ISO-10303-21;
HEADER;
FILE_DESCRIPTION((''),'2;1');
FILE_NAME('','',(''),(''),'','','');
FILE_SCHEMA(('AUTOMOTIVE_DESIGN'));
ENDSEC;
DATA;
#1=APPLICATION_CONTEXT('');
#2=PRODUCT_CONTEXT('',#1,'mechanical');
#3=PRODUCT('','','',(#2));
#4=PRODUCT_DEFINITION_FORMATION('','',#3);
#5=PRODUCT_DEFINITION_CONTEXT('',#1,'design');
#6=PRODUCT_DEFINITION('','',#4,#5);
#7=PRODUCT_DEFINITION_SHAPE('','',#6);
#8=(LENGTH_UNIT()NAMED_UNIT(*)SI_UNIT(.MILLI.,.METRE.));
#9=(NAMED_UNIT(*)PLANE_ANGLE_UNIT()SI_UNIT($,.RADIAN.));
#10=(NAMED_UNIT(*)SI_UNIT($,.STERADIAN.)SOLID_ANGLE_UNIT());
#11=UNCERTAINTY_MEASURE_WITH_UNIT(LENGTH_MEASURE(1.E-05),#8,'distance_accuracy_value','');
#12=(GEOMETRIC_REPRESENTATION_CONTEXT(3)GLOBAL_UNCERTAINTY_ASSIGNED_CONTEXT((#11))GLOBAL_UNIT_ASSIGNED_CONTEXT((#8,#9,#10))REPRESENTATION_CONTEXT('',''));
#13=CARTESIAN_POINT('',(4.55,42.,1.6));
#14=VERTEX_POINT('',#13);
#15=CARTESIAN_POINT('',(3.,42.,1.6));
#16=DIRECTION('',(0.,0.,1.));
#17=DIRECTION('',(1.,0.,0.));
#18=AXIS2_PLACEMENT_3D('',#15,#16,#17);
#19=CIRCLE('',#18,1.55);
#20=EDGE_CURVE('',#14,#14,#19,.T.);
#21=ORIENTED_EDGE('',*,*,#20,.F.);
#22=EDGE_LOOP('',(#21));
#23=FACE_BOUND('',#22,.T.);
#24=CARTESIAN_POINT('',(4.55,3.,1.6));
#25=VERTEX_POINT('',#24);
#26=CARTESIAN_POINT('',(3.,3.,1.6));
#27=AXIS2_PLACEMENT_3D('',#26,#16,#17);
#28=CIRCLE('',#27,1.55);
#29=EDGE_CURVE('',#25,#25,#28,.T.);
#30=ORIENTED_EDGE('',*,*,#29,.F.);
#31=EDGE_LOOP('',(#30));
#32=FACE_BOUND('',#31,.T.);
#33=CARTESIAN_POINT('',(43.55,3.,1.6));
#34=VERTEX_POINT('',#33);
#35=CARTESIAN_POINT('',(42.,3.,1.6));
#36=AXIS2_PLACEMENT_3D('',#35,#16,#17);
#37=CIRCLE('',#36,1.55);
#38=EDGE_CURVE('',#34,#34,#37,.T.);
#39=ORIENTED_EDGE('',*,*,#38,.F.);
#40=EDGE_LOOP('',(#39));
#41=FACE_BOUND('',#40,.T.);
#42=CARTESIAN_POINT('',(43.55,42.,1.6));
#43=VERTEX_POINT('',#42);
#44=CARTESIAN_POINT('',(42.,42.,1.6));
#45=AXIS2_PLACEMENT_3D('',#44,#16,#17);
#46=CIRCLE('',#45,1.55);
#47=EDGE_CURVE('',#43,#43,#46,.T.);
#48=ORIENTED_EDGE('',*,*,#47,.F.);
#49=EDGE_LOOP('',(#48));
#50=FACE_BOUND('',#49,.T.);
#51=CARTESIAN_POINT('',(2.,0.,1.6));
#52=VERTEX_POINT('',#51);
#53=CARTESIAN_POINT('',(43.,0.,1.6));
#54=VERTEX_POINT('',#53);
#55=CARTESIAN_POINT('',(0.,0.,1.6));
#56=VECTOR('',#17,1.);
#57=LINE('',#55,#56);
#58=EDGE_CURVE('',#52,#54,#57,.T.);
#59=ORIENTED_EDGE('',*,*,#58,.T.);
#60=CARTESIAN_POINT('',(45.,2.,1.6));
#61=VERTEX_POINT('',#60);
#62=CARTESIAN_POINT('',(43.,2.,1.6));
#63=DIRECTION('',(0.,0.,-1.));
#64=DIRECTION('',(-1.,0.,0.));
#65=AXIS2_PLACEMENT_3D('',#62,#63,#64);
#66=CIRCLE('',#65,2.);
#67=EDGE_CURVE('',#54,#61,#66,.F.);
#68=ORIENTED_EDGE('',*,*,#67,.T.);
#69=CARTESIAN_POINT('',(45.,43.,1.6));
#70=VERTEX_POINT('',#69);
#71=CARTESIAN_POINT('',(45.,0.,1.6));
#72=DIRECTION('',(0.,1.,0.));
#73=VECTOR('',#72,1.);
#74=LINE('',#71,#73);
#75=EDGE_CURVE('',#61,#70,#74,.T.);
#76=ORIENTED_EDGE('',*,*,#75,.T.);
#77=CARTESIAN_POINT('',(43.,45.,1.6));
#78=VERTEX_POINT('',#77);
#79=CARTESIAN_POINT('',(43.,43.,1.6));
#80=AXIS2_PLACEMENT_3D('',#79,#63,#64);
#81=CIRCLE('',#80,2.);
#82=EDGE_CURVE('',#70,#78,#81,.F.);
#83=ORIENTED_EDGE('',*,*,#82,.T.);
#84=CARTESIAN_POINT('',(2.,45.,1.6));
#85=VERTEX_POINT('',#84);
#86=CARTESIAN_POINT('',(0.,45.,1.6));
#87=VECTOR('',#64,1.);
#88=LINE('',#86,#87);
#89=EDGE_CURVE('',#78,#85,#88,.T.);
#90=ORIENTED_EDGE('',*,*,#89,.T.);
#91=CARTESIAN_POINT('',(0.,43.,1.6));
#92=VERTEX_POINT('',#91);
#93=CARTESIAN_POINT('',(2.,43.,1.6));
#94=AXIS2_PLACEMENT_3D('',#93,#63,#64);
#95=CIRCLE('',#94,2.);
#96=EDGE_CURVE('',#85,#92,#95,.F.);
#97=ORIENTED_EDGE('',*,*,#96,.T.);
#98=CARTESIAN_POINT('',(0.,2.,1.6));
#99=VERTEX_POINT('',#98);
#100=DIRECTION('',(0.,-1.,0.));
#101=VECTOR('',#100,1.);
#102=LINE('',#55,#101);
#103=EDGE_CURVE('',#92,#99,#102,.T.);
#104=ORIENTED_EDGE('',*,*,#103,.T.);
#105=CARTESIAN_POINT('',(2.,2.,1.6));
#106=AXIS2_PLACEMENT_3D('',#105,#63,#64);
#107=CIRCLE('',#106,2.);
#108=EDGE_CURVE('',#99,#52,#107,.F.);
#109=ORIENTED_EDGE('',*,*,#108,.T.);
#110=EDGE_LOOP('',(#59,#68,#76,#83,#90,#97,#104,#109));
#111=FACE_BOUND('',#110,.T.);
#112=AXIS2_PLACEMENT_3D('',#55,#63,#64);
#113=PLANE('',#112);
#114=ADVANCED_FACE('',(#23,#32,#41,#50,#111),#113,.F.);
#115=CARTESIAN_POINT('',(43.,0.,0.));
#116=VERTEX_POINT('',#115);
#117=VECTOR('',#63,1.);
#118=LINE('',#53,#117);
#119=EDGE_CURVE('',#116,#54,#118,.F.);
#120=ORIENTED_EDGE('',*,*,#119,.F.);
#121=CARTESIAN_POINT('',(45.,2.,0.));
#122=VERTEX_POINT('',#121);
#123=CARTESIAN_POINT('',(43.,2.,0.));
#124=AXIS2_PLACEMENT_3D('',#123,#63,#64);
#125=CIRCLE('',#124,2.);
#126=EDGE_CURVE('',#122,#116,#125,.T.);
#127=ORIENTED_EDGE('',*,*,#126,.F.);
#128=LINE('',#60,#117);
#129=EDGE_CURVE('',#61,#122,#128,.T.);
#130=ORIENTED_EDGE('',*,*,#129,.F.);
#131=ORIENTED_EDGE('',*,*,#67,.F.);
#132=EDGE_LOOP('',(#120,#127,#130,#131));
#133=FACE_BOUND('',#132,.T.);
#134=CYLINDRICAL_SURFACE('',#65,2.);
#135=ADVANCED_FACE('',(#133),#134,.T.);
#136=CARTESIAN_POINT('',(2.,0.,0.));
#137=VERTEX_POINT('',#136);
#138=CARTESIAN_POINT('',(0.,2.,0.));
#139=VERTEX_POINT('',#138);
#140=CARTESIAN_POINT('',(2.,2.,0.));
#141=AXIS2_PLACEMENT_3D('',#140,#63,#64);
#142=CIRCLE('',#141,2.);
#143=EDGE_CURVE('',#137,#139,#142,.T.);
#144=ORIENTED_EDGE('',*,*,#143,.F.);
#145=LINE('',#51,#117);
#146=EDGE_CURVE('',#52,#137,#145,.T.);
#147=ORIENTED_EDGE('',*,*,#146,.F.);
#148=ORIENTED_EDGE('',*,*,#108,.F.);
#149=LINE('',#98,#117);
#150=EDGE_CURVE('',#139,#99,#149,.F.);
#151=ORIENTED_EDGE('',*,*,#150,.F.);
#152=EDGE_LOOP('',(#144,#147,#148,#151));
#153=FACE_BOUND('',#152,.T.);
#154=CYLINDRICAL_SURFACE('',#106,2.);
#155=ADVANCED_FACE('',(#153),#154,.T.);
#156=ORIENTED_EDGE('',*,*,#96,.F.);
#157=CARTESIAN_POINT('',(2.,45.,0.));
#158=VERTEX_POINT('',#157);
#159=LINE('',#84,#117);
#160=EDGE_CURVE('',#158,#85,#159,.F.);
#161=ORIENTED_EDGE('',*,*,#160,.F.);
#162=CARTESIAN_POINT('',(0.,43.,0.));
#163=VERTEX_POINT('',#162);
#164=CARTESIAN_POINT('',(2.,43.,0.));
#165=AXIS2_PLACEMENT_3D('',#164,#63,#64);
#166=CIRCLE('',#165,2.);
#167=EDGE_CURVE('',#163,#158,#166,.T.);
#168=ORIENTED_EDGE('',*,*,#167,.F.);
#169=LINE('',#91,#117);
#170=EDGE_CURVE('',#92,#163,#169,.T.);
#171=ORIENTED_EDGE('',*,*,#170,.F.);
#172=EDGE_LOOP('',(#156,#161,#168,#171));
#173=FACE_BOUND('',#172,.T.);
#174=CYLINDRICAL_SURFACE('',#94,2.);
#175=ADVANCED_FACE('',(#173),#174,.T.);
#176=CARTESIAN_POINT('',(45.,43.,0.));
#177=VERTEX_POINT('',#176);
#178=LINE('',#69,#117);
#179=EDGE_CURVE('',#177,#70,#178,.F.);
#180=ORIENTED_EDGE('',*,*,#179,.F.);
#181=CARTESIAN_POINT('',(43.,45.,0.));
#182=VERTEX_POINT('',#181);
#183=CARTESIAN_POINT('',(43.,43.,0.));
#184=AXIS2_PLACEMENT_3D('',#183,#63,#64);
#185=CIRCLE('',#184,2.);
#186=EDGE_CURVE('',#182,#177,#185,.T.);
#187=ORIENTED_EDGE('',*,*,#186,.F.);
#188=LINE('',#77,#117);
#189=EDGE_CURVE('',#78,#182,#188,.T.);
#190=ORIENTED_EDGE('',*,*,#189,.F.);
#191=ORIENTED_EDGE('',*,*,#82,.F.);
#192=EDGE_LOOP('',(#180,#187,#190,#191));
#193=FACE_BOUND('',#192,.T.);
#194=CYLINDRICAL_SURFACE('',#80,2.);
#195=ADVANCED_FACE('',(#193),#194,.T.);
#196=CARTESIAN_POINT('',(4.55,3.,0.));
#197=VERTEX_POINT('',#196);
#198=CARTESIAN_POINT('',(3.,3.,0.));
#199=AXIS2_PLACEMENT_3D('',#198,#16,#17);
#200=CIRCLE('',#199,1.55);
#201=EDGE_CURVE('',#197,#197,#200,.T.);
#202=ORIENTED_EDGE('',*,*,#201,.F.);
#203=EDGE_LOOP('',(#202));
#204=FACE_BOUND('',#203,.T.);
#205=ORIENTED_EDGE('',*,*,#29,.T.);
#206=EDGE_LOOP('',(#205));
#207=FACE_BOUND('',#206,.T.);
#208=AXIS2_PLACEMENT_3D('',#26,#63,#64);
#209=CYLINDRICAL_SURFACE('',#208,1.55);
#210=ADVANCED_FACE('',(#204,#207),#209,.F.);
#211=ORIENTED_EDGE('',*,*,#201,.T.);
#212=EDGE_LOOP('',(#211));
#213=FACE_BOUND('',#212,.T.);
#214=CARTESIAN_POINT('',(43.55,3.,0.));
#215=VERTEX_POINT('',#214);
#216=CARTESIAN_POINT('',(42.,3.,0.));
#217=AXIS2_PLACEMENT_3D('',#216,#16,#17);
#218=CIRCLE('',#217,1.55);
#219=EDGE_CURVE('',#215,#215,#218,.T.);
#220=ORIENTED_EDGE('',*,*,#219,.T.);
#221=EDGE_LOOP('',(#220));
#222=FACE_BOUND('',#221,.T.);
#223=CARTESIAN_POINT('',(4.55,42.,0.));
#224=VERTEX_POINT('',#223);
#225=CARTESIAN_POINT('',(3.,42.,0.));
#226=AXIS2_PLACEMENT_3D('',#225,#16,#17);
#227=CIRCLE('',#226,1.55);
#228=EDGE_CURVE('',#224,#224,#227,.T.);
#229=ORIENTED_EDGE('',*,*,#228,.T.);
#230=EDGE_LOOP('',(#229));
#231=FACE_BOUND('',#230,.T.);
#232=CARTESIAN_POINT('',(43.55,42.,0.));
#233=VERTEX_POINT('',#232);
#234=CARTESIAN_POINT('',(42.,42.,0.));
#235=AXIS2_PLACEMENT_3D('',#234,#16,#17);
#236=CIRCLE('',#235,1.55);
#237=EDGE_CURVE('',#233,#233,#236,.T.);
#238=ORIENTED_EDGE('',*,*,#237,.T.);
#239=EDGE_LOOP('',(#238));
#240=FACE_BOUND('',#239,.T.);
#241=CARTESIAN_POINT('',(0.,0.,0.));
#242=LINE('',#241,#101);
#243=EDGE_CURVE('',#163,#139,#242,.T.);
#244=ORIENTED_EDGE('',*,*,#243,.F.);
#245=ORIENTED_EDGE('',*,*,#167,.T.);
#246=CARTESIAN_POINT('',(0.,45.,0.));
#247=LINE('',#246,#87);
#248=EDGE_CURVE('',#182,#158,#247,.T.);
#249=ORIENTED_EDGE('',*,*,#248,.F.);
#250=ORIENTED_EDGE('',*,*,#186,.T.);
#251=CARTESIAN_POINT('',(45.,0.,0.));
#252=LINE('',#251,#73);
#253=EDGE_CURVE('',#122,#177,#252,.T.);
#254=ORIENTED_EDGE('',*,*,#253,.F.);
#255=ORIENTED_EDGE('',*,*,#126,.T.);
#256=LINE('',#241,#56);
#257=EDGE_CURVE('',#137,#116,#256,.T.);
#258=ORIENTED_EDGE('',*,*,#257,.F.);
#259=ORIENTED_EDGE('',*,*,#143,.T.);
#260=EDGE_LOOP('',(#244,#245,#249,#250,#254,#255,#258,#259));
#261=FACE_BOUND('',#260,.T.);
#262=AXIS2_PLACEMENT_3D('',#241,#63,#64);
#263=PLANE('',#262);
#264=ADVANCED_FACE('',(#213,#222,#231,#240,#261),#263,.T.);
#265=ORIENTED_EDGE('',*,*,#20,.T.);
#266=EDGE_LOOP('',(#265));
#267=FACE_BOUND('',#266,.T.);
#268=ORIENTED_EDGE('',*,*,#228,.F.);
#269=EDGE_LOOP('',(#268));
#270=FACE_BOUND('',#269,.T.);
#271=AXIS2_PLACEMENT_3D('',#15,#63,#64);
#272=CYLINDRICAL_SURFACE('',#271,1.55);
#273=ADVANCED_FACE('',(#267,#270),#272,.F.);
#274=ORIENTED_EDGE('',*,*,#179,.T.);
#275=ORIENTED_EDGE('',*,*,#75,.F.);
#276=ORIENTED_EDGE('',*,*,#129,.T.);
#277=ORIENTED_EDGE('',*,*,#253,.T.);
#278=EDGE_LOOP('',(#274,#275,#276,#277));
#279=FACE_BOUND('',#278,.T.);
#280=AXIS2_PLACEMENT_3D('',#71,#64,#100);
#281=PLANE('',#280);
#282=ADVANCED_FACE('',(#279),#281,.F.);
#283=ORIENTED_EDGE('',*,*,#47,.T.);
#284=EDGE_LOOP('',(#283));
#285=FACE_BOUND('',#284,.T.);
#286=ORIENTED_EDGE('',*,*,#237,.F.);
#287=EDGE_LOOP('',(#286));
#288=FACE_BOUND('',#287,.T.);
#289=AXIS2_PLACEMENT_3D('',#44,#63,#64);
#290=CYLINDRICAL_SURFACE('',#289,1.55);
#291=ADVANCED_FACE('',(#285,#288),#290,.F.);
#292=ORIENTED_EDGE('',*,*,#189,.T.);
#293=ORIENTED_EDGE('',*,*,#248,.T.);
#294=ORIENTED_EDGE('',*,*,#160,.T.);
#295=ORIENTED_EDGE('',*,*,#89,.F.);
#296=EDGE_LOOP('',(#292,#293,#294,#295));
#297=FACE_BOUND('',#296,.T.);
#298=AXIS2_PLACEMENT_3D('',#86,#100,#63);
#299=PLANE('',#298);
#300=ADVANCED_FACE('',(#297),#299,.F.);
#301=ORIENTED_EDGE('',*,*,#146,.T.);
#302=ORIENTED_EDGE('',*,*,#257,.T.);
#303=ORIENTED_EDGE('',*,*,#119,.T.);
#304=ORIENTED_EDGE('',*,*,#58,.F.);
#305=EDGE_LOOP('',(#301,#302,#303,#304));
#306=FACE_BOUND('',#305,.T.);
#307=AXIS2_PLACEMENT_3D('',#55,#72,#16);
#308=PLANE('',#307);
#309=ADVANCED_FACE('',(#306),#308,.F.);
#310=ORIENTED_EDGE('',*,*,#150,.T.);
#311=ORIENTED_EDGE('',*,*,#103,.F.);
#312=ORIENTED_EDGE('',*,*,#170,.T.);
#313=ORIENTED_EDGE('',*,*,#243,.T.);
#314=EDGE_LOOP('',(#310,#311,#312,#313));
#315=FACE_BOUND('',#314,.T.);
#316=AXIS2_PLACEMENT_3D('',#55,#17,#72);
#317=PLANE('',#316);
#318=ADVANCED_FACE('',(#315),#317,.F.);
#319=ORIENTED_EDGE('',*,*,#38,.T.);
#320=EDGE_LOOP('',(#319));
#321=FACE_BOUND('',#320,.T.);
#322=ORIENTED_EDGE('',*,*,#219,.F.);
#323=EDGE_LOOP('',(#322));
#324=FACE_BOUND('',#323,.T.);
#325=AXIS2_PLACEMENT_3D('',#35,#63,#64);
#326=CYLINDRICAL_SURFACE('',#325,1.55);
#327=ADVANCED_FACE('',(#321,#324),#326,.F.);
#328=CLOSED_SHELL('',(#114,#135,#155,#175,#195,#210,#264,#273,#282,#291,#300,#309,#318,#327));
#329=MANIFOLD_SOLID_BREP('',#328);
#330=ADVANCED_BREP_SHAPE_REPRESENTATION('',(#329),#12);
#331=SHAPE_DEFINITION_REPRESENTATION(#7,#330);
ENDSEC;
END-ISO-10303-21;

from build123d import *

# Parameters (mm, degrees)
SKIZZE1_W                       = 45
SKIZZE1_H                       = 45
SKIZZE1_R                       = 1.55
AUFSATZ_LINEAR_AUSTRAGEN1_DEPTH = 1.6
VERRUNDUNG1_R                   = 2


with BuildPart() as part:
    # Skizze1 → Aufsatz-Linear austragen1 (new body)
    with BuildSketch(Plane.XY):
        with Locations((22.5, 22.5)):
            Rectangle(SKIZZE1_W, SKIZZE1_H)
        with Locations((3, 42)):
            Circle(SKIZZE1_R, mode=Mode.SUBTRACT)
        with Locations((42, 42)):
            Circle(SKIZZE1_R, mode=Mode.SUBTRACT)
        with Locations((42, 3)):
            Circle(SKIZZE1_R, mode=Mode.SUBTRACT)
        with Locations((3, 3)):
            Circle(SKIZZE1_R, mode=Mode.SUBTRACT)
    extrude(amount=AUFSATZ_LINEAR_AUSTRAGEN1_DEPTH)

    # Verrundung1
    verrundung1_edges = [part.edges().sort_by_distance(p)[0] for p in [
        (0, 45, 0.8),
        (45, 45, 0.8),
        (45, 0, 0.8),
        (0, 0, 0.8),
    ]]
    fillet(verrundung1_edges, radius=VERRUNDUNG1_R)


solid = part.part
